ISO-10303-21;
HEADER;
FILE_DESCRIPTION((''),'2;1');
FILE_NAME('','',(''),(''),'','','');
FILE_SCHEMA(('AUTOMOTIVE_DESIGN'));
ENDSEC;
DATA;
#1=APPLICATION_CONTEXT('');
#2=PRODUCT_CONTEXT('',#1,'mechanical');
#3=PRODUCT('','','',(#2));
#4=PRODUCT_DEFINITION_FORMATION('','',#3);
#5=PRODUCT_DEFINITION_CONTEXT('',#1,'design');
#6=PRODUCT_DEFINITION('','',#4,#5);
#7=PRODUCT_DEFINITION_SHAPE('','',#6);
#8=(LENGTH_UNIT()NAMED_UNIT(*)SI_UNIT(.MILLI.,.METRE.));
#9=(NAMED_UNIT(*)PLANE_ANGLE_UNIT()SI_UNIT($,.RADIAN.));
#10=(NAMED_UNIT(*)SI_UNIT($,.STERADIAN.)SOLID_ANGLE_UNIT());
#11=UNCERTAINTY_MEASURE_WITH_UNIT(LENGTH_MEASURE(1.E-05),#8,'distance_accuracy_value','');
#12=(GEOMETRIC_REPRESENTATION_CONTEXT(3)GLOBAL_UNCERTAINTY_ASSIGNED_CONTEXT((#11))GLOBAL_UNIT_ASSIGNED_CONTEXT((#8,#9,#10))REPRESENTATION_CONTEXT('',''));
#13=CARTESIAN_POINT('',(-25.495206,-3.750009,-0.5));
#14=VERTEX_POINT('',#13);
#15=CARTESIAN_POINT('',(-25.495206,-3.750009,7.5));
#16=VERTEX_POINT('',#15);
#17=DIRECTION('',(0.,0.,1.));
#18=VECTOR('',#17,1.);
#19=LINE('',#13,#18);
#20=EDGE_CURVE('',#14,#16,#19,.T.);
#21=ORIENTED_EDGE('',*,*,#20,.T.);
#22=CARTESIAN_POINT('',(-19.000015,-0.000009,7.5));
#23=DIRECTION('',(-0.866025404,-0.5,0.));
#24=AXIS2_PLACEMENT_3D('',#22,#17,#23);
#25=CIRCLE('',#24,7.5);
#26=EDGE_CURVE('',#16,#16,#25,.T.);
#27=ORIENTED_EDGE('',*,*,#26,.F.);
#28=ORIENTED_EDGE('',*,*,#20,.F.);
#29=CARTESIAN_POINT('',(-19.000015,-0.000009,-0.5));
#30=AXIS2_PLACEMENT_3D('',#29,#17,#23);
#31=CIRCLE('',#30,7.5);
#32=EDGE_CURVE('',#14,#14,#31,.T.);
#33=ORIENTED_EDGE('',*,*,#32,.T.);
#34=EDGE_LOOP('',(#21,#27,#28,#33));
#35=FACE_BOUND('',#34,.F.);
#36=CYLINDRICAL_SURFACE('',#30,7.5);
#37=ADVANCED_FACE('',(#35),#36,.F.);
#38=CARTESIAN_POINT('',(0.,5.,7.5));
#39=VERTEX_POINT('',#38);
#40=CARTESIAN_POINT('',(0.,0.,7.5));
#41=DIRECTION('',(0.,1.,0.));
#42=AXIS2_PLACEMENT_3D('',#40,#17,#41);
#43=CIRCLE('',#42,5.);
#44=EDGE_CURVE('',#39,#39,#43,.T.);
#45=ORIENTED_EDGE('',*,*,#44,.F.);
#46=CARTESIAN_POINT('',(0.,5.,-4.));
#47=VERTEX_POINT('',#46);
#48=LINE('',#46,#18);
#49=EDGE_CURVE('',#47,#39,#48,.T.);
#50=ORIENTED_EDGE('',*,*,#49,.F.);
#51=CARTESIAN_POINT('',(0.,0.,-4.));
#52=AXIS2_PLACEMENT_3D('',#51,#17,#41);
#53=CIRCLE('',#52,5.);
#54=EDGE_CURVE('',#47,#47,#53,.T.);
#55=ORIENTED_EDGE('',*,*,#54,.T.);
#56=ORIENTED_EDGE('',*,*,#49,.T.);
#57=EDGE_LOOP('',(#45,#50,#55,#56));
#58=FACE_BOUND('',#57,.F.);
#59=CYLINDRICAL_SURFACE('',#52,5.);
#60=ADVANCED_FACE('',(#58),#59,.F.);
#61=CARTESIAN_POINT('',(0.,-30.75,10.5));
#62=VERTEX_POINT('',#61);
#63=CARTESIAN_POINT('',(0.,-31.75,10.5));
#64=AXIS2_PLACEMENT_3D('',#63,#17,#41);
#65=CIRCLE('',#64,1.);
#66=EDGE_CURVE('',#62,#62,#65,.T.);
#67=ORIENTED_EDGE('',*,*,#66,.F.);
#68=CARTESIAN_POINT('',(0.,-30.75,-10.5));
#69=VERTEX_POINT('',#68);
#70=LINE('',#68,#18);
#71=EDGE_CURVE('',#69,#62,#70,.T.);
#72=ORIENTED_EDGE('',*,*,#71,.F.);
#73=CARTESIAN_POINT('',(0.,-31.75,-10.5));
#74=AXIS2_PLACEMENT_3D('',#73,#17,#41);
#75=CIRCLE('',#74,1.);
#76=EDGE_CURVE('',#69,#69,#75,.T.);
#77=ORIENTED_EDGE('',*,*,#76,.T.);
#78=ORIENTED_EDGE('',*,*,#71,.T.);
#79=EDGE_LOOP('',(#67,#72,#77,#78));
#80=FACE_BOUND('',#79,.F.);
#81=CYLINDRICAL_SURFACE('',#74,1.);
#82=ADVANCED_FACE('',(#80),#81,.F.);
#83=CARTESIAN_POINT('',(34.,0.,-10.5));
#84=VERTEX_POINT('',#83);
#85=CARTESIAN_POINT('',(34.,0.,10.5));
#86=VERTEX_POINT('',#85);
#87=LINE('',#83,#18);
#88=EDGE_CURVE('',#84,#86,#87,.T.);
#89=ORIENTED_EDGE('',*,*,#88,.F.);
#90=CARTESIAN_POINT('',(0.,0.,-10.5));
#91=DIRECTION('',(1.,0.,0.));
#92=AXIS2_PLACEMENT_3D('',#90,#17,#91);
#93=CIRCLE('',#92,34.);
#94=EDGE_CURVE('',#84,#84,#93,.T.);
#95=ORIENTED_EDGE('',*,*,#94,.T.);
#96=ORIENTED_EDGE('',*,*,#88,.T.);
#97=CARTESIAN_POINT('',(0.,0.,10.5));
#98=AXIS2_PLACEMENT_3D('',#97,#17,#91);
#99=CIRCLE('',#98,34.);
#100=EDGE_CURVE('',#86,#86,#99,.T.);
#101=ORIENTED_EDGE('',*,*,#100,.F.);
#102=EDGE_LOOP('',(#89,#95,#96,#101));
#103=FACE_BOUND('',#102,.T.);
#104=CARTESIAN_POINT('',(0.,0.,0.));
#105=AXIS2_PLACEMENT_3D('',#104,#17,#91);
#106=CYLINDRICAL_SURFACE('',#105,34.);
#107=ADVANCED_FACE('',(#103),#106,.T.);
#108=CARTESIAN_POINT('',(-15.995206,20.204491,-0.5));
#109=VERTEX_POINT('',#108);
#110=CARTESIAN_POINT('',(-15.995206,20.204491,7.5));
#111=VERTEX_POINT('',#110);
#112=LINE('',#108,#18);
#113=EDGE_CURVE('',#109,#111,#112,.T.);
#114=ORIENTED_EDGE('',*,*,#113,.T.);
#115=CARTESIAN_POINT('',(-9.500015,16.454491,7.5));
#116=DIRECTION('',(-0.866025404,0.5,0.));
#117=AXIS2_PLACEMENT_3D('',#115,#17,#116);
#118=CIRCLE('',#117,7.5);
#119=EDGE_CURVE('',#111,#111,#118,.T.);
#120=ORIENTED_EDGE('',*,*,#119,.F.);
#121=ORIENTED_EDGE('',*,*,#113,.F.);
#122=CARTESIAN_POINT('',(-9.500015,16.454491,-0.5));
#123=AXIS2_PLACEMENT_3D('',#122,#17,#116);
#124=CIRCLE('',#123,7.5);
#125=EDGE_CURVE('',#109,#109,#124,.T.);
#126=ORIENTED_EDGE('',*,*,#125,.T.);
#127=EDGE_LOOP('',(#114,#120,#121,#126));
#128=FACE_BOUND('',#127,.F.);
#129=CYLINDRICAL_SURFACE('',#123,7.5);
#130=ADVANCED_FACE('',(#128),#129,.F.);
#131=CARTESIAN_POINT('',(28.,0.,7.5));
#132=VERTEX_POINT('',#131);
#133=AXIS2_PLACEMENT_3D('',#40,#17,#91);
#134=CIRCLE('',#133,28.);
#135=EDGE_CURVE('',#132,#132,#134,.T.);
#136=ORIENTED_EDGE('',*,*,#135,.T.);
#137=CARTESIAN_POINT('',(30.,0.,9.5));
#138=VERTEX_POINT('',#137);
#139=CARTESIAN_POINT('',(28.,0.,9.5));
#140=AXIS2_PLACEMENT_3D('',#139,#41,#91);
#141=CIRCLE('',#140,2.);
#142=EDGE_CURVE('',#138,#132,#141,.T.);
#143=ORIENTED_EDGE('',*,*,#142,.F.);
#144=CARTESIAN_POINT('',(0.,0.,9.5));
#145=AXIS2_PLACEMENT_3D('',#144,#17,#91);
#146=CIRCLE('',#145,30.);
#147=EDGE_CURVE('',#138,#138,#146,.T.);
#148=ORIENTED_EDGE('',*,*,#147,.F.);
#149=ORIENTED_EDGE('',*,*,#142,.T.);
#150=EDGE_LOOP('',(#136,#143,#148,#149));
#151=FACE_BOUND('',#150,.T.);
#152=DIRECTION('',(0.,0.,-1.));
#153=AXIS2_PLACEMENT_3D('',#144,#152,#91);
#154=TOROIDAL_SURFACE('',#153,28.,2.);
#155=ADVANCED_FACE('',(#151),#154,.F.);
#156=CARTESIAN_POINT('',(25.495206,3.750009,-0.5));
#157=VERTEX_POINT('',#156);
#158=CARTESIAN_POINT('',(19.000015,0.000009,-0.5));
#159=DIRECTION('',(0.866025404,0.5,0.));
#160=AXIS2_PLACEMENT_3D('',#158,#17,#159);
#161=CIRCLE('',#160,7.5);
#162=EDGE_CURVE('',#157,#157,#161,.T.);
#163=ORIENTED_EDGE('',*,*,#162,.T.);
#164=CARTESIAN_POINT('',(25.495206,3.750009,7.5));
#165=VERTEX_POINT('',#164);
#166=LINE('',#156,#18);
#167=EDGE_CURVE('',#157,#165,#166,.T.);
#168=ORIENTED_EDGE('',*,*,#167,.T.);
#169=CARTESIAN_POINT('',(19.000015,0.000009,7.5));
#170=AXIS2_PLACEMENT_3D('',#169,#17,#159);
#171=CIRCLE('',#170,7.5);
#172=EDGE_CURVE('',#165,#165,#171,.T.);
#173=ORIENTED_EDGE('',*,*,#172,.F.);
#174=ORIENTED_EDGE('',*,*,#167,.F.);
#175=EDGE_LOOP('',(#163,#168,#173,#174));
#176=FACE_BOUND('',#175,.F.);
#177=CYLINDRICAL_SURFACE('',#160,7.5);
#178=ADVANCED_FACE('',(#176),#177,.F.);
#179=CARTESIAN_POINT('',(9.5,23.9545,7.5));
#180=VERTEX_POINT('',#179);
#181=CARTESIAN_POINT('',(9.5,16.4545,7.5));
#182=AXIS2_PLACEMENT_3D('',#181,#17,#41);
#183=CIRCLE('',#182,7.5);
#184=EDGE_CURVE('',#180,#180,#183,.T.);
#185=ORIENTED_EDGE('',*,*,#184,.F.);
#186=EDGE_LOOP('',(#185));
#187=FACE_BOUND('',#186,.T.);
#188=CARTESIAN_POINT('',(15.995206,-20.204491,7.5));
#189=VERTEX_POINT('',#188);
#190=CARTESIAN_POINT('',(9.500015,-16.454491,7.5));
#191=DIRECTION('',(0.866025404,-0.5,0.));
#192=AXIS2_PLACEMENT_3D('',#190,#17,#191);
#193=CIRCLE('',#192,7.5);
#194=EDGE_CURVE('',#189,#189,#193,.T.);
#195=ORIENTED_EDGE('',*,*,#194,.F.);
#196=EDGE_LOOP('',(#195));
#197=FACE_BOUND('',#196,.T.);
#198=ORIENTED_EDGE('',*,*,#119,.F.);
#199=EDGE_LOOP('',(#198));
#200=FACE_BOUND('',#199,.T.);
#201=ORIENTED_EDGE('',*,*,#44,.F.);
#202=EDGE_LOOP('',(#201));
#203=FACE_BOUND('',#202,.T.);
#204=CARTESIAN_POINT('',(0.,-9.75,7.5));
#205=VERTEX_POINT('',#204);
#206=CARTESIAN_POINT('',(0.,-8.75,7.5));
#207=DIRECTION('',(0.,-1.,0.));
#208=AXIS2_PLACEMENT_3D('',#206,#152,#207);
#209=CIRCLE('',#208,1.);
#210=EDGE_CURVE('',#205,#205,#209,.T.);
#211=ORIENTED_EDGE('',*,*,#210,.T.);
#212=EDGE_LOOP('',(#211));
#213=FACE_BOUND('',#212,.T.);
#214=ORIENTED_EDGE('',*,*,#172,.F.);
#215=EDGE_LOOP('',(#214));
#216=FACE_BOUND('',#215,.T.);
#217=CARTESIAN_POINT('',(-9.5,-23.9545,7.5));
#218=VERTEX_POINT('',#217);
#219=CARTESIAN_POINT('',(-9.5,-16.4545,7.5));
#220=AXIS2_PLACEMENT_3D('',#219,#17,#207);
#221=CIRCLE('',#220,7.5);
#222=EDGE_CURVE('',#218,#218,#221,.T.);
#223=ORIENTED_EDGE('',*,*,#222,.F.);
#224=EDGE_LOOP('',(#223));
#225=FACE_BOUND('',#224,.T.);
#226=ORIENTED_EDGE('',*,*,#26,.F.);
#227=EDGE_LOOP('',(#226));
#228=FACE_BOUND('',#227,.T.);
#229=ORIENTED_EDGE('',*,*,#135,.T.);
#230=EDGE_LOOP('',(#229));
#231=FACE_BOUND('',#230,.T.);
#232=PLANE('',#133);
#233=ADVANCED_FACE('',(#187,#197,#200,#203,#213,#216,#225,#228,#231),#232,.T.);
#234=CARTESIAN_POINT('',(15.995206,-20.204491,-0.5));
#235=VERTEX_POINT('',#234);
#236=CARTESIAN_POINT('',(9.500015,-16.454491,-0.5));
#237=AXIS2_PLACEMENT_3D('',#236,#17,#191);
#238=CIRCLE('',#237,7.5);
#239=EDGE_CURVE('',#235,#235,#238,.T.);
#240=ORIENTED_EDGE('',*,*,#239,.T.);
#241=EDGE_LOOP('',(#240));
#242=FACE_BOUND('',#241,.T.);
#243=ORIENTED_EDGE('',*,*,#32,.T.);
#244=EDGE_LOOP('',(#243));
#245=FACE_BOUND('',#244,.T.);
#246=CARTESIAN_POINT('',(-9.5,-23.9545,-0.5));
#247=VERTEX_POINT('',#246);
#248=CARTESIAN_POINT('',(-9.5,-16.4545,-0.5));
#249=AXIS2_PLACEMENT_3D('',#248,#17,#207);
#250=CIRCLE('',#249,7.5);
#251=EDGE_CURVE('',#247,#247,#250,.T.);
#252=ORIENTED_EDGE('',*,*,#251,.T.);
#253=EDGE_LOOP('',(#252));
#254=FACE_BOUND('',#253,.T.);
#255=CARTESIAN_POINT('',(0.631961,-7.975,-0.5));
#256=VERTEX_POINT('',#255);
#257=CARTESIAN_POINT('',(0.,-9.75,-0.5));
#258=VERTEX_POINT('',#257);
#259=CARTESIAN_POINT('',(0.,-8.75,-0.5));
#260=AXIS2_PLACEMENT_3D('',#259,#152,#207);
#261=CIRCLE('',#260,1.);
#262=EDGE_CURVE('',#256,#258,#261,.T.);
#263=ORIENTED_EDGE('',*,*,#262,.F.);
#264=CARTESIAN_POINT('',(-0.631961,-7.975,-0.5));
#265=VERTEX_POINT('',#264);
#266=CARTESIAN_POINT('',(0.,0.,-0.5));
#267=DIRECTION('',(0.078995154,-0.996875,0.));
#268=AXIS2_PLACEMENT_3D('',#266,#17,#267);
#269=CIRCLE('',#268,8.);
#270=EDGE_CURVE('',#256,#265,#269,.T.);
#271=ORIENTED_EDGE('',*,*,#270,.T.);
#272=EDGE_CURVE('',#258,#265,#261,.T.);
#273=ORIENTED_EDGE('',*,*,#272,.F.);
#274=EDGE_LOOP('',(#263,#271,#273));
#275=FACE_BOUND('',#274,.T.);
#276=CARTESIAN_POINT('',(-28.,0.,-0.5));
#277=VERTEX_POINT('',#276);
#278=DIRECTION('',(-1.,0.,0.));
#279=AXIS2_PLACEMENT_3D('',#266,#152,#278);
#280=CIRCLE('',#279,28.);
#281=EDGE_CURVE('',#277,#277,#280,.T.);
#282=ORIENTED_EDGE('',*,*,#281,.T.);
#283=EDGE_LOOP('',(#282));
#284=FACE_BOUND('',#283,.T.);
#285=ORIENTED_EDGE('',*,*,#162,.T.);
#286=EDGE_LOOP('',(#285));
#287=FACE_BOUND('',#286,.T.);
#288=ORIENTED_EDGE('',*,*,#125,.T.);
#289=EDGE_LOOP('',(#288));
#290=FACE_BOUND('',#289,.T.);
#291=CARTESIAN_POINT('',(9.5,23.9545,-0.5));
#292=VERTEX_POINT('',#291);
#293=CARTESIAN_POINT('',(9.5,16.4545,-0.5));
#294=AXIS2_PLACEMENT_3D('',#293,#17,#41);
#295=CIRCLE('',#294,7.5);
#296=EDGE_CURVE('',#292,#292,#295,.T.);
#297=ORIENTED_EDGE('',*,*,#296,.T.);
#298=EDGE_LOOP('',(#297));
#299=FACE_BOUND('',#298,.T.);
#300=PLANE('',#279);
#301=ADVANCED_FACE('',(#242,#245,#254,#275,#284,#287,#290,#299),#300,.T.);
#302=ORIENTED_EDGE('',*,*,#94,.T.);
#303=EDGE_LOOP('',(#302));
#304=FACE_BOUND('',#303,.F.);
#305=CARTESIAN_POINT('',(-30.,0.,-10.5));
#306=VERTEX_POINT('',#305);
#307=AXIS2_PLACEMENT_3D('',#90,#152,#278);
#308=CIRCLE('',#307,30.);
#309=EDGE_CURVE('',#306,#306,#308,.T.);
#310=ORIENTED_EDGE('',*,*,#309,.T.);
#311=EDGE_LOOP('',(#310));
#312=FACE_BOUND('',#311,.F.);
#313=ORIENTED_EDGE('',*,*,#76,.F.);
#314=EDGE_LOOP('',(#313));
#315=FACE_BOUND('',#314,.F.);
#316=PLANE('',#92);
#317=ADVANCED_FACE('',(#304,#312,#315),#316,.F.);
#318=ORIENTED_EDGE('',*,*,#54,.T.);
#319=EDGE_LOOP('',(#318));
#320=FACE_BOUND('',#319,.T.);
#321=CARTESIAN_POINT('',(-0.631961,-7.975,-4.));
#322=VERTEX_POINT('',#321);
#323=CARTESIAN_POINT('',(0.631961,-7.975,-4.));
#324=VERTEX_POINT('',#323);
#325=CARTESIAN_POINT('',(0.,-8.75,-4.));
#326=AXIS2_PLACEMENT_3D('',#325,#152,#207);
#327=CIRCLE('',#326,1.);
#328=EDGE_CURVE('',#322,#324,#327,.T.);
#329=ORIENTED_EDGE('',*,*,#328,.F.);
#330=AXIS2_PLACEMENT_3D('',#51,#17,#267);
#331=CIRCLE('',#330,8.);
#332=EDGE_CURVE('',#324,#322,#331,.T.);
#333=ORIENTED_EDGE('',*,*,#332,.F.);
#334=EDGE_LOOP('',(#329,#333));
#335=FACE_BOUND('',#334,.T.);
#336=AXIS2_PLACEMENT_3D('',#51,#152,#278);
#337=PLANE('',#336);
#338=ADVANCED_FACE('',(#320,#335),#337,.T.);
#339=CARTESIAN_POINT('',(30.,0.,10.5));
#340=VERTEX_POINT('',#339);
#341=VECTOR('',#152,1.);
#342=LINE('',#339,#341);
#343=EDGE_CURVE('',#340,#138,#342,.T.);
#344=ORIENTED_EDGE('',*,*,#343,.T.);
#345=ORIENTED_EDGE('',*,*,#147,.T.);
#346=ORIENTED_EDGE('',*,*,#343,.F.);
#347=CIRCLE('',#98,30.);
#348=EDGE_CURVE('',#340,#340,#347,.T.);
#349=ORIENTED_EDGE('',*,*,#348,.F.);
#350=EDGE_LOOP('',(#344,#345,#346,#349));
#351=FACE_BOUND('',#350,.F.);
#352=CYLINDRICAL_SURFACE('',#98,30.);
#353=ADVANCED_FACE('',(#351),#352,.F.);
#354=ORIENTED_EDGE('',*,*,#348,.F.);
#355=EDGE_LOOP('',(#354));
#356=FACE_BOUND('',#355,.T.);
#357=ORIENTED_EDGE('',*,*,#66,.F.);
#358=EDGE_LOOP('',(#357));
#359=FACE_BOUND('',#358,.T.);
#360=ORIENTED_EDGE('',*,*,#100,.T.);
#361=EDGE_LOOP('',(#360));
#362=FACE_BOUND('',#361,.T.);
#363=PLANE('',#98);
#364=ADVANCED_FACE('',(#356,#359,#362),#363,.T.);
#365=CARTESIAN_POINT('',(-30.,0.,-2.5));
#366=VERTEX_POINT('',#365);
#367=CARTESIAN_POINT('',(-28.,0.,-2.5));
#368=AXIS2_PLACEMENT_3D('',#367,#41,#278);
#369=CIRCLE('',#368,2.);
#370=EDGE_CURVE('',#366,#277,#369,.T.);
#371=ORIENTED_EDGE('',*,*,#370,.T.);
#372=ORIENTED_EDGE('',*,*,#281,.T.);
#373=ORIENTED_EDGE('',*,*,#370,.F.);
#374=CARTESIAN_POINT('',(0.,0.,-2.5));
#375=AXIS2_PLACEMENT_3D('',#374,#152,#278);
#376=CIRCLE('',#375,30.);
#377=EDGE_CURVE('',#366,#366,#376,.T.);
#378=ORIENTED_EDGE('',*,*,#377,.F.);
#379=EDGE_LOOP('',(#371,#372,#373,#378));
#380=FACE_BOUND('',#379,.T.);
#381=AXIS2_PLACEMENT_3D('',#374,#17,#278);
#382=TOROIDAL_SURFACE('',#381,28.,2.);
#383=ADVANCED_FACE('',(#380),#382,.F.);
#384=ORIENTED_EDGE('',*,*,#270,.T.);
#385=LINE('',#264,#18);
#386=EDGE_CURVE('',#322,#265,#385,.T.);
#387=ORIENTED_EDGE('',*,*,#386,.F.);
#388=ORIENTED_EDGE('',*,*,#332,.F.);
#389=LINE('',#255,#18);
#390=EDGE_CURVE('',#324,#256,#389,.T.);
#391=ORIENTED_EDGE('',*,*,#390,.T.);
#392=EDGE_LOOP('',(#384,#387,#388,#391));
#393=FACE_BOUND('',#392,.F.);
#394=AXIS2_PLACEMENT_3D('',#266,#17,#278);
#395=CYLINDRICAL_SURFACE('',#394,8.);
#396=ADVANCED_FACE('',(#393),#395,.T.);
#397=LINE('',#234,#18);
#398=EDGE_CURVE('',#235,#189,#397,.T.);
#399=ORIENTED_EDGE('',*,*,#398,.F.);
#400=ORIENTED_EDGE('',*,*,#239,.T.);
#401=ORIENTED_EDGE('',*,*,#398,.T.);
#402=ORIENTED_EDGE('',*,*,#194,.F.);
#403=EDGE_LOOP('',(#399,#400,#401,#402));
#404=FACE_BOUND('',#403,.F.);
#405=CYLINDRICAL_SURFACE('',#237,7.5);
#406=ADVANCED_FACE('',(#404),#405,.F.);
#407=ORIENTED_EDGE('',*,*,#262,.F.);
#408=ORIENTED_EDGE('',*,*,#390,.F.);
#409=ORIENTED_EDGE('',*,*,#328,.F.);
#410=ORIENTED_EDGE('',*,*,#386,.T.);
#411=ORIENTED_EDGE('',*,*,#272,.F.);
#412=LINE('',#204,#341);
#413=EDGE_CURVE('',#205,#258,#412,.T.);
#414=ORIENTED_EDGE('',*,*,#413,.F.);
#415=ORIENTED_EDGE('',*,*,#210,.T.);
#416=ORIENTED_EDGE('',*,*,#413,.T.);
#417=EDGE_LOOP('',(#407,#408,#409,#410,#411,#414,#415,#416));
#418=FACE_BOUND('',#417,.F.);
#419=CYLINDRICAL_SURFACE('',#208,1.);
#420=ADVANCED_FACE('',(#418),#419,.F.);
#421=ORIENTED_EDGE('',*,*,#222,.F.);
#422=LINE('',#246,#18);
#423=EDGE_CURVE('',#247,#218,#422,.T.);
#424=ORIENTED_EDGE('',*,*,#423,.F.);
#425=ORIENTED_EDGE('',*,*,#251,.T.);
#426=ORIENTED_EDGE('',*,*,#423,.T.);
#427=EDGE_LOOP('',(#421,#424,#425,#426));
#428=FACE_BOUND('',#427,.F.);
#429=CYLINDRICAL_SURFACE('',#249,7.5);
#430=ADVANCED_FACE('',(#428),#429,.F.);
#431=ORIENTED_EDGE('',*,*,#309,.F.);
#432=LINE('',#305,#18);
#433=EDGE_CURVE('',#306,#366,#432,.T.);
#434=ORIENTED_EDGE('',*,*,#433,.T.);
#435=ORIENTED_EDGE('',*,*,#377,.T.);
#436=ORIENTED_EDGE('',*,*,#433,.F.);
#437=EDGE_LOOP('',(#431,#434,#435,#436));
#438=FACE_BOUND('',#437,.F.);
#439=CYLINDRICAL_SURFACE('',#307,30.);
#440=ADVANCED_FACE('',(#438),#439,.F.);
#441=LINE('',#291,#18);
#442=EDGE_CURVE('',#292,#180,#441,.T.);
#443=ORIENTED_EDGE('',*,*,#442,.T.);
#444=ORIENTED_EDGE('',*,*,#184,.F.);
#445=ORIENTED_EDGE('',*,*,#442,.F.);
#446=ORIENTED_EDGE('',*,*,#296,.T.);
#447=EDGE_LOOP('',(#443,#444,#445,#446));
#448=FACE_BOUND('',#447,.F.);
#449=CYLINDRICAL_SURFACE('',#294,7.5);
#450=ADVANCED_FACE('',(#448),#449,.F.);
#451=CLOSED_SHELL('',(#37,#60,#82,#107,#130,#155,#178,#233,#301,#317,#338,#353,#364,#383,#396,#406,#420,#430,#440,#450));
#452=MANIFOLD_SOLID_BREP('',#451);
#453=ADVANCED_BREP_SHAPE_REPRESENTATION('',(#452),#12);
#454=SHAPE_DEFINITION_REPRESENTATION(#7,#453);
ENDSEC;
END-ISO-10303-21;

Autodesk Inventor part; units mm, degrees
ref_plane "YZ Plane" through (0, 0, 0) normal (1, 0, 0) x (0, 1, 0)
ref_plane "XZ Plane" through (0, 0, 0) normal (0, 1, 0) x (-1, 0, 0)
ref_plane "XY Plane" through (0, 0, 0) normal (0, 0, 1) x (1, 0, 0)
sketch "Skizze1" plane through (0, 0, 0) normal (0, 0, 1) x (1, 0, 0)
  circle A0 centre (0, 0) radius 34
  dimension "d0" = 68
extrude "Extrusion1" add sketch "Skizze1" along normal mid plane 21
sketch "Skizze2" plane through (0, 0, 10.5) normal (0, 0, 1) x (1, 0, 0)
  circle A0 centre (0, 0) radius 30
  dimension "d3" = 60
extrude "Extrusion2" cut sketch "Skizze2" against normal blind 3
fillet "Rundung1" radius 2 1 edges at (-30, 0, 7.5)
sketch "Skizze3" plane through (0, 0, -10.5) normal (0, 0, -1) x (-1, 0, 0)
  circle A0 centre (0, 0) radius 30
  dimension "d7" = 60
extrude "Extrusion3" cut sketch "Skizze3" against normal blind 10
fillet "Rundung2" radius 2 1 edges at (30, 0, -0.5)
sketch "Skizze4" plane through (0, 0, -0.5) normal (0, 0, -1) x (-1, 0, 0)
  circle A0 centre (0, 0) radius 8
  dimension "d11" = 16
extrude "Extrusion4" add sketch "Skizze4" along normal blind 3.5
sketch "Skizze5" plane through (0, 0, -4) normal (0, 0, -1) x (-1, 0, 0)
  circle A0 centre (0, 0) radius 8 projected
hole "Bohrung1" at (0, 0, -4) direction (0, 0, 1) diameter 10 depth 11.5
sketch "Skizze6" plane through (0, 0, -0.5) normal (0, 0, -1) x (-1, 0, 0)
  circle A0 centre (0, 0) radius 8 projected
  line L0 (0, 0) -> (0, 46.0089) construction
  circle A1 centre (0, 0) radius 5 projected
  line L1 (0, 0) -> (-23.7907, 41.2067) construction
  circle A2 centre (0, 0) radius 19 construction
  point P0 (-9.5, 16.4545)
  dimension "d22" = 38
  dimension "d21" = 30
hole "Bohrung2" at (9.5, 16.4545, -0.5) direction (0, 0, 1) diameter 15 depth 8
pattern_circular "Runde Anordnung1" count 6 over 360 about axis through (0, 0, -10.5) along (0, 0, 1) of "Bohrung2"
sketch "Skizze7" plane through (0, 0, -10.5) normal (0, 0, -1) x (-1, 0, 0)
  point P0 (0, 0)
  point P1 (0, -31.75)
  dimension "d40" = 31.75
hole "Bohrung3" at (0, -31.75, -10.5) direction (0, 0, 1) diameter 2 end through all
sketch "Skizze8" plane through (0, 0, 7.5) normal (0, 0, 1) x (1, 0, 0)
  point P0 (0, 0)
  point P1 (0, -8.75)
  dimension "d48" = 8.75
hole "Bohrung4" at (0, -8.75, 7.5) direction (0, 0, -1) diameter 2 end through all
properties part number "schwingrad" material "Polypropylen"
